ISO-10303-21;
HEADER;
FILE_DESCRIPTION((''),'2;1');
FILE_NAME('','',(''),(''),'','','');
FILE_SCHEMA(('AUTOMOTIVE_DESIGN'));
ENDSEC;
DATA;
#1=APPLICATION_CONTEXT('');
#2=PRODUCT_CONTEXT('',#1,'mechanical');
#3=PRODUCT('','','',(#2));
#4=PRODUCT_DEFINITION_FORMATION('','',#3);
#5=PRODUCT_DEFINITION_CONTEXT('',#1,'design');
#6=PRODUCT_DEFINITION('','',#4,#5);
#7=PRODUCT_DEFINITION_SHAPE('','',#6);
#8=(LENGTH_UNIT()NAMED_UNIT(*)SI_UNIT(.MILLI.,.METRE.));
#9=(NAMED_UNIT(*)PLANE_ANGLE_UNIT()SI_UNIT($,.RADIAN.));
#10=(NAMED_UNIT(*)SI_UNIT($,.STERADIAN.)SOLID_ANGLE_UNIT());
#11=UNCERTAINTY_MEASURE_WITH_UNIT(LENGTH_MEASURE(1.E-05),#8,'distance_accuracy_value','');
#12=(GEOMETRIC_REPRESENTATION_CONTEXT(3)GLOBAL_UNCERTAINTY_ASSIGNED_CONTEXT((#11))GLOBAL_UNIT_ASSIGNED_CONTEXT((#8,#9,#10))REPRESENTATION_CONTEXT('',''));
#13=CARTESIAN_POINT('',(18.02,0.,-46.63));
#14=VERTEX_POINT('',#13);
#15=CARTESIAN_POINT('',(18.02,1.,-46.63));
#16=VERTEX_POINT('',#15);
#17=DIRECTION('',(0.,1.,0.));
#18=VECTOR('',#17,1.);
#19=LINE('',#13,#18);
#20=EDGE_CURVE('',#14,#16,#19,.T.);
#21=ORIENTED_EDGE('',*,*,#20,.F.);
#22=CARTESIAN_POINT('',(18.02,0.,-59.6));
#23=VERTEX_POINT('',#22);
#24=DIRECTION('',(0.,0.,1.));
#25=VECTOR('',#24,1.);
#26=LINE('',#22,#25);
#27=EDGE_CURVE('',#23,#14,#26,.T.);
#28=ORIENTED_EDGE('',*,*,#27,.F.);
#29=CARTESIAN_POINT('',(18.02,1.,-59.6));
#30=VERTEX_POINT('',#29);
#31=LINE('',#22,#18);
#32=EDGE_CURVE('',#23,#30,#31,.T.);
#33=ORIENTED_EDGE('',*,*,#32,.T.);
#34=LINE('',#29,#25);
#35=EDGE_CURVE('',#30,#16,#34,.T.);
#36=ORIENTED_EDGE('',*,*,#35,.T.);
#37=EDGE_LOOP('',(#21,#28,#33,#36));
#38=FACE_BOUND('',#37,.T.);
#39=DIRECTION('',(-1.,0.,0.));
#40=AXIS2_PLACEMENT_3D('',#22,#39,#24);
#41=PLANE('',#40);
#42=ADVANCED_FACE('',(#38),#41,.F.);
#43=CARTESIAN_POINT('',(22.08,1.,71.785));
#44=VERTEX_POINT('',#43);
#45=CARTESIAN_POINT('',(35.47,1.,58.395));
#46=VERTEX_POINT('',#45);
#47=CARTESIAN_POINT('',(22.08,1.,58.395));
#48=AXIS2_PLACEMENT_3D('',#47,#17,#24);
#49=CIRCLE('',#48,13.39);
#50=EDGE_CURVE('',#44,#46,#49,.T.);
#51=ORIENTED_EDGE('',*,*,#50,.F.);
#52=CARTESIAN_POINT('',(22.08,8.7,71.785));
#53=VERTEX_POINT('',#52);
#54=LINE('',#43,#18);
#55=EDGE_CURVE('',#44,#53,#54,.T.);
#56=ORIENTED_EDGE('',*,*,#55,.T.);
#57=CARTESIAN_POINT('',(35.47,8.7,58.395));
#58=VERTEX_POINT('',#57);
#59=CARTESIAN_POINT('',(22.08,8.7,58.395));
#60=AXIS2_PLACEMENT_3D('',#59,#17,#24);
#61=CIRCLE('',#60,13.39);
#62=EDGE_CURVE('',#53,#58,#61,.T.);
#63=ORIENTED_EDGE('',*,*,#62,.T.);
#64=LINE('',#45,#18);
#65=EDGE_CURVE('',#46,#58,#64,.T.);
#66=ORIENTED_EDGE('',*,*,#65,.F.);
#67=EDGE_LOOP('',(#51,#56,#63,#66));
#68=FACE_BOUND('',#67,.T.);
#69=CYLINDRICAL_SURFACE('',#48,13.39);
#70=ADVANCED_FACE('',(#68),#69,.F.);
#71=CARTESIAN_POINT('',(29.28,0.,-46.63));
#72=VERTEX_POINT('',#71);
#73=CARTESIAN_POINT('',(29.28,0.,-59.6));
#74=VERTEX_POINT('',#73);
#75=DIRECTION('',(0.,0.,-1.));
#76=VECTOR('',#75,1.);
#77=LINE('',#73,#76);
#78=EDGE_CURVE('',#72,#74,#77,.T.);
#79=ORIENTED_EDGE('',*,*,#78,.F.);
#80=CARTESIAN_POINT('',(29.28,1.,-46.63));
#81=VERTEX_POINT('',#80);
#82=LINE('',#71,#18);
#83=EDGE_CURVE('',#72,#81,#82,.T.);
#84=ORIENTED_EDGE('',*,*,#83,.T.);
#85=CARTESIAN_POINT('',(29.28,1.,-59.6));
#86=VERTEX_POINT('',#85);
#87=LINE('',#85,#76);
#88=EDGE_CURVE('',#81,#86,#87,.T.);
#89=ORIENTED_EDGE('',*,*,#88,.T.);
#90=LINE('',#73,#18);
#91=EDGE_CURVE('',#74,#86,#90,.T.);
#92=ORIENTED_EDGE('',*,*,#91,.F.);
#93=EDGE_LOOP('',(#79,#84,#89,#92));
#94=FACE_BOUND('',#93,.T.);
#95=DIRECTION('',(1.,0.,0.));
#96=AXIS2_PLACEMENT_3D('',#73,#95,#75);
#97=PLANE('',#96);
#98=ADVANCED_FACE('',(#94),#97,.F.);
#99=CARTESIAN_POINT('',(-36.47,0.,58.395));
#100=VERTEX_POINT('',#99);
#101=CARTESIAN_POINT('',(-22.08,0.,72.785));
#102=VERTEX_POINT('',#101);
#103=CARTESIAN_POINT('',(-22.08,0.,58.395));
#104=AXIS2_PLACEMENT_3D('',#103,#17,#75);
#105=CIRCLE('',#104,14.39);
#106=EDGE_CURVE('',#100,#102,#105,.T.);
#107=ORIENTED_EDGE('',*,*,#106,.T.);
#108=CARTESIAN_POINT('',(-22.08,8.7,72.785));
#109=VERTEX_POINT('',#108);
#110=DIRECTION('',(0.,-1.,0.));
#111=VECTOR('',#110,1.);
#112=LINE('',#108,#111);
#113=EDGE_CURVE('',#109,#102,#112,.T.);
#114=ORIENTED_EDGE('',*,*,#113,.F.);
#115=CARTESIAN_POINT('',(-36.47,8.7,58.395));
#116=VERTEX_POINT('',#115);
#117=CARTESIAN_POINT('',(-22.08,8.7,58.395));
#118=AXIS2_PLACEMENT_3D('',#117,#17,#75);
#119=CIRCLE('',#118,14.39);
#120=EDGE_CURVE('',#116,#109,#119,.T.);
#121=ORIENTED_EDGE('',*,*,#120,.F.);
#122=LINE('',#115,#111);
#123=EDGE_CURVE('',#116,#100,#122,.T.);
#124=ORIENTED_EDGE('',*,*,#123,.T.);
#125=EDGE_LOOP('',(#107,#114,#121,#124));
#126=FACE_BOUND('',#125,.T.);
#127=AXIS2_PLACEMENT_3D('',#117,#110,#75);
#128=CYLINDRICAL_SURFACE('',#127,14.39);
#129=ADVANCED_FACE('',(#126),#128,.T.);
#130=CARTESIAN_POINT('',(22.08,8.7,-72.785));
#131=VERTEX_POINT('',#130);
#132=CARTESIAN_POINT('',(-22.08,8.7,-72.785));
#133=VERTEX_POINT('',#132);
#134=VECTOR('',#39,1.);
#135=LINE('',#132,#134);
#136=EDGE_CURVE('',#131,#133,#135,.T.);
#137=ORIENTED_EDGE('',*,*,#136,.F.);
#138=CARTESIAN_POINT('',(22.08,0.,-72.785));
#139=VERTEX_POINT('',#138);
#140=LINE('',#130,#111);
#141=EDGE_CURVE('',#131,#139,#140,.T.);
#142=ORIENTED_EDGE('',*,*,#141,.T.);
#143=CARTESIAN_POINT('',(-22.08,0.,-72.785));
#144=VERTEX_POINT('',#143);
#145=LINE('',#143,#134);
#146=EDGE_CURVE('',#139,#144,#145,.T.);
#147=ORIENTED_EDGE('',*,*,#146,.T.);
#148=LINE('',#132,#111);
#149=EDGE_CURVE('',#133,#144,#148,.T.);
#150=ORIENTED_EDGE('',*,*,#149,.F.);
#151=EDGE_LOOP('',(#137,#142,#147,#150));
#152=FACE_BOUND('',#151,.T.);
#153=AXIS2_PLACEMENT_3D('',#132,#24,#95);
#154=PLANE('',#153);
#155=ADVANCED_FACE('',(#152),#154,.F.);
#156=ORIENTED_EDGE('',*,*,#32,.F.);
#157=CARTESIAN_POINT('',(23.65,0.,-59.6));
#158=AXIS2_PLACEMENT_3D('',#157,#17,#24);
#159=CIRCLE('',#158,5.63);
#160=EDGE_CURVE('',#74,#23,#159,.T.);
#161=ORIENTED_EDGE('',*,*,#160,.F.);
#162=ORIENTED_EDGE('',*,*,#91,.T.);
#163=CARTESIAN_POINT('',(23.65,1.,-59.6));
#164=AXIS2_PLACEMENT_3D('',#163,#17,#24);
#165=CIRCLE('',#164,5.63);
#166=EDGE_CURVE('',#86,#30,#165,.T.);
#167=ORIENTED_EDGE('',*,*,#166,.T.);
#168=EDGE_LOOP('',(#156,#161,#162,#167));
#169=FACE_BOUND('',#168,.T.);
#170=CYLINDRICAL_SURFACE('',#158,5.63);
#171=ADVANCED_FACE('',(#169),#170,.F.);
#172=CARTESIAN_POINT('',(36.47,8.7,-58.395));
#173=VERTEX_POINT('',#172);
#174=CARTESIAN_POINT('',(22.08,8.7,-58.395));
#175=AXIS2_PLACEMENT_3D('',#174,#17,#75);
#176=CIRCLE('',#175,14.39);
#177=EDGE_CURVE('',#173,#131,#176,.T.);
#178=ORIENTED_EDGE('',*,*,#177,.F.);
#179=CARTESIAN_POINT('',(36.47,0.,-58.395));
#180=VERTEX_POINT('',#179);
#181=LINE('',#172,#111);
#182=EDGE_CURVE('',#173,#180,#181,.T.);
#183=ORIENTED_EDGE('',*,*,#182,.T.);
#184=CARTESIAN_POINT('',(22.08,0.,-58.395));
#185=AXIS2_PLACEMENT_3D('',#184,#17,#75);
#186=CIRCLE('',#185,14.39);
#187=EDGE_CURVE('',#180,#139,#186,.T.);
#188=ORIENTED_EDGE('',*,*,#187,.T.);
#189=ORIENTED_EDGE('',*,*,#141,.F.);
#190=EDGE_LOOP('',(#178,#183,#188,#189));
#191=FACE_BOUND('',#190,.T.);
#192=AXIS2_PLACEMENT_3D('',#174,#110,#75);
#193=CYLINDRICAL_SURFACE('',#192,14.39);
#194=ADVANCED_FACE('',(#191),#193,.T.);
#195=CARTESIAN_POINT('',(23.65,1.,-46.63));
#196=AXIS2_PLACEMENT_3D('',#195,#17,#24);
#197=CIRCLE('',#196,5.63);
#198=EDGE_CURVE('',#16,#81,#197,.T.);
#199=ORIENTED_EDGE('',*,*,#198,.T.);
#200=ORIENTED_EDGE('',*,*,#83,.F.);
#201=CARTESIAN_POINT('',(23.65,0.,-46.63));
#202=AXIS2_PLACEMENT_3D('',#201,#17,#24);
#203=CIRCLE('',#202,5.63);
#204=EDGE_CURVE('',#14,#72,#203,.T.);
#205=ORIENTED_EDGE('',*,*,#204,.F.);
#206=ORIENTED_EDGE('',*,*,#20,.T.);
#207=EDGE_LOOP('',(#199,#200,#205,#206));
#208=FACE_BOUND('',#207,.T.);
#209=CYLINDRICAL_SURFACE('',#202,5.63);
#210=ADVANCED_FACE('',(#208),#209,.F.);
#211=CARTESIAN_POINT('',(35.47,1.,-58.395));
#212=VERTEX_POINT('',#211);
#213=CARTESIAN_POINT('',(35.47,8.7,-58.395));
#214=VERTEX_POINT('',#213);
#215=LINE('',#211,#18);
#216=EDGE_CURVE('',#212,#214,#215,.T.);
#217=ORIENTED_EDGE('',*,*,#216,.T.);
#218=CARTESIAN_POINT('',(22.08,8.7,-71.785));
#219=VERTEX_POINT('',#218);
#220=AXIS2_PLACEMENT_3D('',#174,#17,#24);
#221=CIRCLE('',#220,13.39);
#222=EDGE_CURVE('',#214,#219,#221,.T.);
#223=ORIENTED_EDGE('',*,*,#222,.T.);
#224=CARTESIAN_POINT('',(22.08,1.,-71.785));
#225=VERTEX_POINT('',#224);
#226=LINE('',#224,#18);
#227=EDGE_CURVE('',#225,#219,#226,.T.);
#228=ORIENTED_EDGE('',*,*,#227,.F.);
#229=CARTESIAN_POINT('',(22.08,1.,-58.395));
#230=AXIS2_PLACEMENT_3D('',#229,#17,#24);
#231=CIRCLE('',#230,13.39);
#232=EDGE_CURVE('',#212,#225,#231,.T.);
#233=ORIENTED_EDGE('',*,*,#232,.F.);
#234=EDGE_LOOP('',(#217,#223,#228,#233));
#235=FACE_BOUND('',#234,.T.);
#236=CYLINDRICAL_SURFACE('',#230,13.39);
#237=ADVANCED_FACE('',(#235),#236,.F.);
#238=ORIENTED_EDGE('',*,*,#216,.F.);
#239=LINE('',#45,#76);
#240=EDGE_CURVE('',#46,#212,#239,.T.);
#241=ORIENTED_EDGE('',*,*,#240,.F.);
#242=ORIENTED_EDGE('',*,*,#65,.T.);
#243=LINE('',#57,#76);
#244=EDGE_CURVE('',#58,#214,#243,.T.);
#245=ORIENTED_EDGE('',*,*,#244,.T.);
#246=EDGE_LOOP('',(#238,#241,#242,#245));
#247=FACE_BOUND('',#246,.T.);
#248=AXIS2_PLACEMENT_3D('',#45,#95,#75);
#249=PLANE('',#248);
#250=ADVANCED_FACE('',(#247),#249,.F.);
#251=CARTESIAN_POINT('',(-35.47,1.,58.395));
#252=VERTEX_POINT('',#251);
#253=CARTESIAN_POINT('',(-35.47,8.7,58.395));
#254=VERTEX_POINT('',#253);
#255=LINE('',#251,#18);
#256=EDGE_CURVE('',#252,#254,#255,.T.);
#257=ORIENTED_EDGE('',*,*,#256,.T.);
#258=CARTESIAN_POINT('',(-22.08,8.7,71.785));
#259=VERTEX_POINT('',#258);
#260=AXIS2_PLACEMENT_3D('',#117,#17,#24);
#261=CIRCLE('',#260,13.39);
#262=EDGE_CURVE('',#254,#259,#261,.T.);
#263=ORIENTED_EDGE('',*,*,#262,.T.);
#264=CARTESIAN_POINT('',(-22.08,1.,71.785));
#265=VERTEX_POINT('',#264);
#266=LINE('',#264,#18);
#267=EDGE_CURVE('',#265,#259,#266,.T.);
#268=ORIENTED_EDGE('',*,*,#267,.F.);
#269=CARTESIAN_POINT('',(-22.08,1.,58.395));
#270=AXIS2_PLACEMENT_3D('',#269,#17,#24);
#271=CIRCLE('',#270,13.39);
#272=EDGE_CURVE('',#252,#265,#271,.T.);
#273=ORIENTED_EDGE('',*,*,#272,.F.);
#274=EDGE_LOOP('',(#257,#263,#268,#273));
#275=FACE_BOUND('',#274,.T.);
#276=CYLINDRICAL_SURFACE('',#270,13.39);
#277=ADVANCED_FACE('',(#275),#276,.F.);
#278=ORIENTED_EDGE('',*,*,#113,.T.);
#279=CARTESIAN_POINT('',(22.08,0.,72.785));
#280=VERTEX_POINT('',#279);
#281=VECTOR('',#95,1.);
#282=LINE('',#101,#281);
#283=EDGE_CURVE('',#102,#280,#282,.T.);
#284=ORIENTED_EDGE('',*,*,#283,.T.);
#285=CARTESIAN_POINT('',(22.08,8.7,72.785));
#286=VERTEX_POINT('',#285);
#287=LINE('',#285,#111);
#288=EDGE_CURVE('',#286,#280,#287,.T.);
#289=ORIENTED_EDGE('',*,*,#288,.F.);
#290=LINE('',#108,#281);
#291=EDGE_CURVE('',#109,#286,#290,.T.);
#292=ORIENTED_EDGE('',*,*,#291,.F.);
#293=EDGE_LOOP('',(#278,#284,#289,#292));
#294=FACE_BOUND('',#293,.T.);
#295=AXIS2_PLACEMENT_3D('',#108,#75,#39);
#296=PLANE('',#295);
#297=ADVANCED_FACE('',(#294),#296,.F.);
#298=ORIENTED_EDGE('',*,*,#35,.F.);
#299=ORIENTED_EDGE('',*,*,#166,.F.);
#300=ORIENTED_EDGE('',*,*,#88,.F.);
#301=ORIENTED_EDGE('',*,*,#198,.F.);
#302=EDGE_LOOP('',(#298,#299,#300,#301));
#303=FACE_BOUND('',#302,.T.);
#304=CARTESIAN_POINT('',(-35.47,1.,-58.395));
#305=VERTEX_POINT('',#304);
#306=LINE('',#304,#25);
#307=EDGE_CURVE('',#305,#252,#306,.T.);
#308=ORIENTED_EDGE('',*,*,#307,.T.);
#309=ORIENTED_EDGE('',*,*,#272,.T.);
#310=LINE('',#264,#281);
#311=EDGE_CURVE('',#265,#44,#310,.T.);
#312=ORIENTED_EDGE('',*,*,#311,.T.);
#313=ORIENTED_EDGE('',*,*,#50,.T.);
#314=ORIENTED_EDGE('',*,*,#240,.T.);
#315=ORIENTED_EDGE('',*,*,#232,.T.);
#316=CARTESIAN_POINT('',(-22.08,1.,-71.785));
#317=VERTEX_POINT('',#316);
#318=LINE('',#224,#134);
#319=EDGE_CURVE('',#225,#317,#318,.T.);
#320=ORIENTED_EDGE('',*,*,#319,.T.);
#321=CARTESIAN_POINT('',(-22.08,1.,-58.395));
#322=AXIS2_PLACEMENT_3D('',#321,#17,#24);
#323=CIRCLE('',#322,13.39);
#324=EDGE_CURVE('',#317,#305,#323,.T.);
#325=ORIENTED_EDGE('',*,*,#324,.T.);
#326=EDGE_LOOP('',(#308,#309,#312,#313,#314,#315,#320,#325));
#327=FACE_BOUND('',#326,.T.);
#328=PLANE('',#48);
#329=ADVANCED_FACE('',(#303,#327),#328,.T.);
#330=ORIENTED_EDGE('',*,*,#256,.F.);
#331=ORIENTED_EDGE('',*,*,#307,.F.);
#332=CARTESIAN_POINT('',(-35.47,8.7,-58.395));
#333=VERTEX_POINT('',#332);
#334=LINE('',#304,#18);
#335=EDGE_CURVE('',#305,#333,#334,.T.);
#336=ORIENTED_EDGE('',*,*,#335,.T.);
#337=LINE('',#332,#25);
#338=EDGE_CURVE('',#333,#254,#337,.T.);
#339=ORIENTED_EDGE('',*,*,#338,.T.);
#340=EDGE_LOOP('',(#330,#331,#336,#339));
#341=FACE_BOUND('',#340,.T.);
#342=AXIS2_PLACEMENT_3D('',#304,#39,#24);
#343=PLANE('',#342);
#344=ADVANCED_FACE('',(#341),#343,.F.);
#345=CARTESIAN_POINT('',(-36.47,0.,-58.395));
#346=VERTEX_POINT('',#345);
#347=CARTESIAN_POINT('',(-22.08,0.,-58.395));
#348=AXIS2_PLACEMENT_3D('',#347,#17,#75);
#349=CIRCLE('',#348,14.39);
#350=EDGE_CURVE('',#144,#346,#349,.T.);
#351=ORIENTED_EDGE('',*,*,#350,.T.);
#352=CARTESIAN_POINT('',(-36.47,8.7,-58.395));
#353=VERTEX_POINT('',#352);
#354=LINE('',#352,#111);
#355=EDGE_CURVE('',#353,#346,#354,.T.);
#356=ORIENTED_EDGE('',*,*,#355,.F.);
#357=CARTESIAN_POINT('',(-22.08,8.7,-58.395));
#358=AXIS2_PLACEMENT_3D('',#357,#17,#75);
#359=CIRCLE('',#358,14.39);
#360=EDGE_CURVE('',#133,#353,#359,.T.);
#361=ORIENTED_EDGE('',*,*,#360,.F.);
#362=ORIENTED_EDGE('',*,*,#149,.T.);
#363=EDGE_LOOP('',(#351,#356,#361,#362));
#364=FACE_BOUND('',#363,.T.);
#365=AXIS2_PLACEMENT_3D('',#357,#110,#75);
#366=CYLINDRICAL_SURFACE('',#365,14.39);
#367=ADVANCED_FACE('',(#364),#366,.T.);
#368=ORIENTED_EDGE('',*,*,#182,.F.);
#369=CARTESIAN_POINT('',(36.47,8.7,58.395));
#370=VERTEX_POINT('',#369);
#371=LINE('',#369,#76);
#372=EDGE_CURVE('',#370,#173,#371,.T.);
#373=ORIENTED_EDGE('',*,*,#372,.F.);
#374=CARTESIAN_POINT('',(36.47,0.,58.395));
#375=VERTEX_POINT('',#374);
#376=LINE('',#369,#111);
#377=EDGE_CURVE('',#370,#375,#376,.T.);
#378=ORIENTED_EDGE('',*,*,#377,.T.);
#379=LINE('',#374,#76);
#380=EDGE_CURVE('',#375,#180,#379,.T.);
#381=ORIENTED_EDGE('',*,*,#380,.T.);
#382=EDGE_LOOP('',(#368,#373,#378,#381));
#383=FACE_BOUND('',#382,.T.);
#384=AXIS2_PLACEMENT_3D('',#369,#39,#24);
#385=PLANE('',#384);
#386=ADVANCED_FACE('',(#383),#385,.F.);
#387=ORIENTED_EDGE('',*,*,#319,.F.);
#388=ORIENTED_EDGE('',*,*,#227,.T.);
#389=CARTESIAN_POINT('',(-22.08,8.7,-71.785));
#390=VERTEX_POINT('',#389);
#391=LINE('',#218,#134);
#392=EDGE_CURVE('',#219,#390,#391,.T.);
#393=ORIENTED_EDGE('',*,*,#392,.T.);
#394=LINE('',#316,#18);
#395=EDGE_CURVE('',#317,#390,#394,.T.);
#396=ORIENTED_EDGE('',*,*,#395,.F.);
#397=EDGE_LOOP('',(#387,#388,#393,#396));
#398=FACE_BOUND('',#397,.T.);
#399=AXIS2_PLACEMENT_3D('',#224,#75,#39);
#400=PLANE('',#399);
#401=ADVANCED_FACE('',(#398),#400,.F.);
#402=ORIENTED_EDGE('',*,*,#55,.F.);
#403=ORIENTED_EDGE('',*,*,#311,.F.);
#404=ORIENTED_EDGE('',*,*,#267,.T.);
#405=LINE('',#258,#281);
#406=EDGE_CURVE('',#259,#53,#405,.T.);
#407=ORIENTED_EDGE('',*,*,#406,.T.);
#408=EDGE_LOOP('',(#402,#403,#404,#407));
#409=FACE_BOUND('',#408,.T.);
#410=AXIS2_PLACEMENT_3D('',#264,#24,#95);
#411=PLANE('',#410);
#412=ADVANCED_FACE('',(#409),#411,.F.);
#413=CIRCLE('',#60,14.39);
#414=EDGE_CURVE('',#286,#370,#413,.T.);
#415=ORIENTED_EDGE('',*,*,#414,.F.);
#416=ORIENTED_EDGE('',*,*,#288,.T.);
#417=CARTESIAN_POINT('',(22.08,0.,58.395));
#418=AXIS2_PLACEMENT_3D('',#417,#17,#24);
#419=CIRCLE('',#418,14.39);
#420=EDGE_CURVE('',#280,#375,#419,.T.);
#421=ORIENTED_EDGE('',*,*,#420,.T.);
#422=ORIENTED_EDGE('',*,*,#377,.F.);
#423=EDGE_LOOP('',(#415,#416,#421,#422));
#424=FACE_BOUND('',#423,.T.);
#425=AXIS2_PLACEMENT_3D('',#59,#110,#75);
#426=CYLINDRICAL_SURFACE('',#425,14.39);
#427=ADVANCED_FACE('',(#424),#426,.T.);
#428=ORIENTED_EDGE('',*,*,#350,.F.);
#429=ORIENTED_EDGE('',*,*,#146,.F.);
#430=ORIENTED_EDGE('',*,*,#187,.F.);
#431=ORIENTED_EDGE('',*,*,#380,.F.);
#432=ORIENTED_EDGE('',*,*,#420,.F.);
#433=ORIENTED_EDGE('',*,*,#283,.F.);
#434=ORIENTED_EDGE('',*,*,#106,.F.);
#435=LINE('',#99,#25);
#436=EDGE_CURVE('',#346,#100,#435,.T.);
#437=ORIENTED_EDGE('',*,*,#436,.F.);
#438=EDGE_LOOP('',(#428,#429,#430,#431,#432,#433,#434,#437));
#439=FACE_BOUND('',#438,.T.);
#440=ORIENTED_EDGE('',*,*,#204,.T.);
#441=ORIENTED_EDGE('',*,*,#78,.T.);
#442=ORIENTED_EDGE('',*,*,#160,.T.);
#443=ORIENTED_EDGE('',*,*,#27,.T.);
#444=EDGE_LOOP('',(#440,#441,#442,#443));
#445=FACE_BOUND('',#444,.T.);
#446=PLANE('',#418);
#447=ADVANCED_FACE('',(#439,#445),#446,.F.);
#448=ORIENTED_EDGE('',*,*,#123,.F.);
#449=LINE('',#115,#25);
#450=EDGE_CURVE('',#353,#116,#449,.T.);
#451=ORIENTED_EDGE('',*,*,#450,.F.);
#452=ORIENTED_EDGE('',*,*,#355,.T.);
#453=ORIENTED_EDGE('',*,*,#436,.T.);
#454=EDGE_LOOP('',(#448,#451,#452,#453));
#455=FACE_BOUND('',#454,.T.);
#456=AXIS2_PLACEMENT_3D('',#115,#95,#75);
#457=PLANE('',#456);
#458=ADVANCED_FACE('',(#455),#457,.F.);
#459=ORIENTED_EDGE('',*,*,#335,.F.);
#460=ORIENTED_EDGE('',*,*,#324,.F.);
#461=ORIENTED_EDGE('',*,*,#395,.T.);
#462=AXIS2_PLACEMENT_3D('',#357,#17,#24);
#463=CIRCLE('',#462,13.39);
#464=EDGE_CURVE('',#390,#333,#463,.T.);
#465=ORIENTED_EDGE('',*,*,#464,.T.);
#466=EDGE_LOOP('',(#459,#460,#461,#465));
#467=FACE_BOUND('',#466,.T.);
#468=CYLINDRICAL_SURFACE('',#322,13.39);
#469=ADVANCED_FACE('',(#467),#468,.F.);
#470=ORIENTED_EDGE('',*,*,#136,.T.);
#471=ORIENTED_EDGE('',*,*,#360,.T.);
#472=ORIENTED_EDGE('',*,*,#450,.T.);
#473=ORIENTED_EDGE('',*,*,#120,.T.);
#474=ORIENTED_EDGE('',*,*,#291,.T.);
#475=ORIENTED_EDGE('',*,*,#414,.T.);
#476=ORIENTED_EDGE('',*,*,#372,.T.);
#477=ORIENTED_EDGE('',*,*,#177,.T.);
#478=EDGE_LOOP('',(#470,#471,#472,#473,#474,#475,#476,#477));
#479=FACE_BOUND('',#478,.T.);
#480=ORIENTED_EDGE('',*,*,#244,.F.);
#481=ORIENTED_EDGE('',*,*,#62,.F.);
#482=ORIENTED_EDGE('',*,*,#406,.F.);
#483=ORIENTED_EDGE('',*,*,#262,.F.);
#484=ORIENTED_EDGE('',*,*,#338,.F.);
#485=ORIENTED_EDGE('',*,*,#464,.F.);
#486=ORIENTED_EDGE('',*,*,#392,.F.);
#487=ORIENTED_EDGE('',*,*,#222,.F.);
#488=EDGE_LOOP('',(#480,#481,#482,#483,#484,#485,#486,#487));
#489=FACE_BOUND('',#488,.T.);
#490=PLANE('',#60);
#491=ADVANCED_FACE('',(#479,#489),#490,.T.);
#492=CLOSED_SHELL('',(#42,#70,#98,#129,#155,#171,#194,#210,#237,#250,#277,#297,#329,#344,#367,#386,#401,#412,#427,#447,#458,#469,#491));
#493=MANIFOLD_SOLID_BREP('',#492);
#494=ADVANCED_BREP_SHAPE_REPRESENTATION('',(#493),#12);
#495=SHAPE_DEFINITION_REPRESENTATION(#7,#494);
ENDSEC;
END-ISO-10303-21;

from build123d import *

# Parameters (mm, degrees)
BOSS_EXTRUDE1_DEPTH = 8.7
CUT_EXTRUDE1_DEPTH  = 7.7
CUT_EXTRUDE2_DEPTH  = 2


with BuildPart() as part:
    # Sketch1 → Boss-Extrude1 (new body)
    with BuildSketch(Plane(origin=(0, 0, 0), x_dir=(1, 0, 0), z_dir=(0, 1, 0))):
        with BuildLine():
            Line((-22.08, -72.785), (22.08, -72.785))
            ThreePointArc((22.08, -72.785), (32.255266581, -68.570266581), (36.47, -58.395))
            Line((36.47, -58.395), (36.47, 58.395))
            ThreePointArc((36.47, 58.395), (32.255266581, 68.570266581), (22.08, 72.785))
            Line((22.08, 72.785), (-22.08, 72.785))
            ThreePointArc((-22.08, 72.785), (-32.255266581, 68.570266581), (-36.47, 58.395))
            Line((-36.47, 58.395), (-36.47, -58.395))
            ThreePointArc((-36.47, -58.395), (-32.255266581, -68.570266581), (-22.08, -72.785))
        make_face()
    extrude(amount=BOSS_EXTRUDE1_DEPTH)

    # Sketch2 → Cut-Extrude1 (cut)
    with BuildSketch(Plane(origin=(0, 8.7, 0), x_dir=(1, 0, 0), z_dir=(0, 1, 0))):
        with BuildLine():
            Line((-22.08, -71.785), (22.08, -71.785))
            ThreePointArc((22.08, -71.785), (31.5481598, -67.8631598), (35.47, -58.395))
            Line((35.47, -58.395), (35.47, 58.395))
            ThreePointArc((35.47, 58.395), (31.5481598, 67.8631598), (22.08, 71.785))
            Line((22.08, 71.785), (-22.08, 71.785))
            ThreePointArc((-22.08, 71.785), (-31.5481598, 67.8631598), (-35.47, 58.395))
            Line((-35.47, 58.395), (-35.47, -58.395))
            ThreePointArc((-35.47, -58.395), (-31.5481598, -67.8631598), (-22.08, -71.785))
        make_face()
    extrude(amount=-CUT_EXTRUDE1_DEPTH, mode=Mode.SUBTRACT)

    # Sketch3 → Cut-Extrude2 (cut, through all)
    with BuildSketch(Plane(origin=(0, 1, 0), x_dir=(1, 0, 0), z_dir=(0, 1, 0))):
        with BuildLine():
            Line((29.28, 59.6), (29.28, 46.63))
            ThreePointArc((29.28, 46.63), (23.65, 41), (18.02, 46.63))
            Line((18.02, 46.63), (18.02, 59.6))
            ThreePointArc((18.02, 59.6), (23.65, 65.23), (29.28, 59.6))
        make_face()
    extrude(amount=-CUT_EXTRUDE2_DEPTH, mode=Mode.SUBTRACT)


solid = part.part
